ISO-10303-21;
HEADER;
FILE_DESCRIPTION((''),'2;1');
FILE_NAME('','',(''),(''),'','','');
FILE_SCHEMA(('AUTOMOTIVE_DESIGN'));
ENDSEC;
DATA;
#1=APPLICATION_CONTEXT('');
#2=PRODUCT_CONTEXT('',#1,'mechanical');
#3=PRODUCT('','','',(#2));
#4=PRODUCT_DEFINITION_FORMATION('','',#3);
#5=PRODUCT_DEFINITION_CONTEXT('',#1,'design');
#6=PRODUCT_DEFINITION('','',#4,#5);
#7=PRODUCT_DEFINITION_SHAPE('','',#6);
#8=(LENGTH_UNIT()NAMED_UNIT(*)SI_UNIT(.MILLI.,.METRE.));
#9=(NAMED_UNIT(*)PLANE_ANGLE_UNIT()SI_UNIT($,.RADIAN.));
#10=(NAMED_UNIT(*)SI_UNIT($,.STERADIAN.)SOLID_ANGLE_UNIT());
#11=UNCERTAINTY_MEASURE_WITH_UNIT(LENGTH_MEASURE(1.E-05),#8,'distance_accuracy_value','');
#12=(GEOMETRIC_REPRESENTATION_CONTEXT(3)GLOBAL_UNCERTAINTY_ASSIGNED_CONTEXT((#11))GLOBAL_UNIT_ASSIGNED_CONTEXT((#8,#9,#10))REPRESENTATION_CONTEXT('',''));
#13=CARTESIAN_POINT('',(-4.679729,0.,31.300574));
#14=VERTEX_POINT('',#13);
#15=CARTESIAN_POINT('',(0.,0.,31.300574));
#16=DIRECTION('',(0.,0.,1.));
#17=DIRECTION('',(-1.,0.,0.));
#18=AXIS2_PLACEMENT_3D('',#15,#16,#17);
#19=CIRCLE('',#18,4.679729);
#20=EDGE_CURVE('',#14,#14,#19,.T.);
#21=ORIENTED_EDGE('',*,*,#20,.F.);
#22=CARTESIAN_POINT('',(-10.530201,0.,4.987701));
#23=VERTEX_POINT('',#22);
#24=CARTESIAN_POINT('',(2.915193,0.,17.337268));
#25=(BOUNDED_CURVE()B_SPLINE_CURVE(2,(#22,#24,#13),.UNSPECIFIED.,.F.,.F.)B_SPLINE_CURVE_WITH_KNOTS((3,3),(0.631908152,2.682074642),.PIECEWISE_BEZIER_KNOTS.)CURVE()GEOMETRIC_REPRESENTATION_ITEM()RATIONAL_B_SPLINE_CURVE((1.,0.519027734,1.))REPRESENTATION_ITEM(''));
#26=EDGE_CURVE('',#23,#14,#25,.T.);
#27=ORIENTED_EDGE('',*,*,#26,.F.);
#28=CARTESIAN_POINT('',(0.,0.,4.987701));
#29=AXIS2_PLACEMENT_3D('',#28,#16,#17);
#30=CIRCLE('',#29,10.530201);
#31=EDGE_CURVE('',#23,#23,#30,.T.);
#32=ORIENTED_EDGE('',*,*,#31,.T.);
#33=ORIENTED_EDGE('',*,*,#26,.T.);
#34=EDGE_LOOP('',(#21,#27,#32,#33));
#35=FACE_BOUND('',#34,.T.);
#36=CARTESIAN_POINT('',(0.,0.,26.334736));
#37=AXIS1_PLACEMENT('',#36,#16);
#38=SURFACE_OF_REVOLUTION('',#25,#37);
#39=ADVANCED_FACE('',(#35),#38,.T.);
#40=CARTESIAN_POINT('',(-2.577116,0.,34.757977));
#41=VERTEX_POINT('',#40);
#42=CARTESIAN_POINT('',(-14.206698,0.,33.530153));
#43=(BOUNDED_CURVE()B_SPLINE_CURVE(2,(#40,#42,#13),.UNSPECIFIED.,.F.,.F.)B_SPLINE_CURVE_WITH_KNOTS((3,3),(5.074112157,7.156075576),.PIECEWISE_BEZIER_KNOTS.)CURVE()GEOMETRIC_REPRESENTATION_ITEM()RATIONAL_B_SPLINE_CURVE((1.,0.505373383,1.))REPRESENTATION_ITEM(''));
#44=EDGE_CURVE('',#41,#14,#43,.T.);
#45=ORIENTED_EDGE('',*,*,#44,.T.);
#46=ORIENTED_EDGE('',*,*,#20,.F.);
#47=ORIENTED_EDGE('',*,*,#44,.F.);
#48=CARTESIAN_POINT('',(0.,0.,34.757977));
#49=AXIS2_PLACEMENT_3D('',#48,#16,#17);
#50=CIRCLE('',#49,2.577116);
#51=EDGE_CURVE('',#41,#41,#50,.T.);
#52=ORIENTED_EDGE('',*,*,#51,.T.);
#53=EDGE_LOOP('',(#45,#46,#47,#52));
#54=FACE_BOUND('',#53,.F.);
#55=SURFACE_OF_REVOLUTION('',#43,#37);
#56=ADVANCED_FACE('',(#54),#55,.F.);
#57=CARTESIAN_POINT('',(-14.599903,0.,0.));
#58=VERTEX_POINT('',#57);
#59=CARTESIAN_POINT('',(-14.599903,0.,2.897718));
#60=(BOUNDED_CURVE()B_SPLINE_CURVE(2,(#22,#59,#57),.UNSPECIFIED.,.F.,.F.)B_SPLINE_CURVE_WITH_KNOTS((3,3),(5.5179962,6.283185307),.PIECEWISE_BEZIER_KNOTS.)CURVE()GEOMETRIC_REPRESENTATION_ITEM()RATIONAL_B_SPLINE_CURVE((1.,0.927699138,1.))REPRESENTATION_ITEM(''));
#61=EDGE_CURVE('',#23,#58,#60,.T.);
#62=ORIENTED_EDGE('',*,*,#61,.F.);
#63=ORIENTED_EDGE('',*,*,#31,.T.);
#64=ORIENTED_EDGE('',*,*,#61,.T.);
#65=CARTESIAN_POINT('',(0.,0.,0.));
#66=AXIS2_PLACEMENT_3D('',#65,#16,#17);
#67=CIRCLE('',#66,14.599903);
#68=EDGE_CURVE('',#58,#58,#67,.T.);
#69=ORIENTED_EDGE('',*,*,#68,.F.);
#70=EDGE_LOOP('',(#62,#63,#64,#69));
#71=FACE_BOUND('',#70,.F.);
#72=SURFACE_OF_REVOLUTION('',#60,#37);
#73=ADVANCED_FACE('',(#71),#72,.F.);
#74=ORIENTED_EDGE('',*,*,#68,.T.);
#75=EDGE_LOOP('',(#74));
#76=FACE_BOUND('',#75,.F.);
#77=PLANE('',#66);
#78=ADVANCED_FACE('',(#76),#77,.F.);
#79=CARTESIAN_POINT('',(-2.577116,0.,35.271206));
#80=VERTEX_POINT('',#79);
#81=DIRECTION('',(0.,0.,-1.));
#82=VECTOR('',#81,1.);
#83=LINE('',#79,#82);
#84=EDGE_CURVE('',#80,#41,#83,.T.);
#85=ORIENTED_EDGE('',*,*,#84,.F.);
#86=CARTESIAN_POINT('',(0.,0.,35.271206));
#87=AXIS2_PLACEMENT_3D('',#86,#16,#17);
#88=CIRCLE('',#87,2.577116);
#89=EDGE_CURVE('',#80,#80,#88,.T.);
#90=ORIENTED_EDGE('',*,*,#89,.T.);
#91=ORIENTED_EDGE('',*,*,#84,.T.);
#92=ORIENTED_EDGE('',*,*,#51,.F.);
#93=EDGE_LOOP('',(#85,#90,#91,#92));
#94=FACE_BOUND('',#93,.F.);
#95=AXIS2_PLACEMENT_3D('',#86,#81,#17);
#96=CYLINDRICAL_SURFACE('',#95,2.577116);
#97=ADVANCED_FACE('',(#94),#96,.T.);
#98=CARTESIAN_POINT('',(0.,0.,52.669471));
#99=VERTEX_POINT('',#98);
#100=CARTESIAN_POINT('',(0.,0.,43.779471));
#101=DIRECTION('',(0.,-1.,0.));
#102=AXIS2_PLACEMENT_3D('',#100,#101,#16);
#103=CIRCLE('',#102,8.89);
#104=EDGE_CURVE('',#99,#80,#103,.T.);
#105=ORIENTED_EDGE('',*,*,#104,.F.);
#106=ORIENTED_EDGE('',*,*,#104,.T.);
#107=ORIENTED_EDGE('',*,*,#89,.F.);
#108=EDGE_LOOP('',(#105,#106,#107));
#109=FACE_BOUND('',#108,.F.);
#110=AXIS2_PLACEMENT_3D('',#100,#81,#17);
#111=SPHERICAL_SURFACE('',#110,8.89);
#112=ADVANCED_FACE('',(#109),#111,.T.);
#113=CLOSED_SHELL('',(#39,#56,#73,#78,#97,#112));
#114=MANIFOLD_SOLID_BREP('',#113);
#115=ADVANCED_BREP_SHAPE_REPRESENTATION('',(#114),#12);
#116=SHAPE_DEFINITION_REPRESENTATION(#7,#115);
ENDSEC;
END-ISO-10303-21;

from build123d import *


with BuildPart() as f1:
    # F0 (on Front) → F1 (revolve)
    with BuildSketch(Plane.XZ):
        with BuildLine():
            Line((-14.5999034867, 0), (0, 0))
            Line((0, 0), (0, 52.6694711283))
            ThreePointArc((0, 52.6694711283), (-8.7940484338, 45.0820885486), (-2.5771160144, 35.2712061437))
            Line((-2.5771160144, 35.2712061437), (-2.5771160144, 34.7579771647))
            add(Edge.make_bspline(
                [(-2.5771160144, 34.7579771647), (-14.2066981067, 33.5301532154), (-4.6797294918, 31.3005741378)],
                knots=[5.0741121572, 5.0741121572, 5.0741121572, 7.1560755757, 7.1560755757, 7.1560755757], degree=2, weights=[1, 0.5053733832, 1]))
            add(Edge.make_bspline(
                [(-10.5302005467, 4.9877006537), (2.9151925574, 17.3372678868), (-4.6797294918, 31.3005741378)],
                knots=[0.6319081519, 0.6319081519, 0.6319081519, 2.6820746423, 2.6820746423, 2.6820746423], degree=2, weights=[1, 0.5190277342, 1]))
            add(Edge.make_bspline(
                [(-10.5302005467, 4.9877006537), (-14.5999034867, 2.897717736), (-14.5999034867, 0)],
                knots=[5.5179961997, 5.5179961997, 5.5179961997, 6.2831853072, 6.2831853072, 6.2831853072], degree=2, weights=[1, 0.9276991378, 1]))
        make_face()
    revolve(axis=Axis((0, 0, 26.3347355642), (0, 0, 1)))


solid = f1.part
